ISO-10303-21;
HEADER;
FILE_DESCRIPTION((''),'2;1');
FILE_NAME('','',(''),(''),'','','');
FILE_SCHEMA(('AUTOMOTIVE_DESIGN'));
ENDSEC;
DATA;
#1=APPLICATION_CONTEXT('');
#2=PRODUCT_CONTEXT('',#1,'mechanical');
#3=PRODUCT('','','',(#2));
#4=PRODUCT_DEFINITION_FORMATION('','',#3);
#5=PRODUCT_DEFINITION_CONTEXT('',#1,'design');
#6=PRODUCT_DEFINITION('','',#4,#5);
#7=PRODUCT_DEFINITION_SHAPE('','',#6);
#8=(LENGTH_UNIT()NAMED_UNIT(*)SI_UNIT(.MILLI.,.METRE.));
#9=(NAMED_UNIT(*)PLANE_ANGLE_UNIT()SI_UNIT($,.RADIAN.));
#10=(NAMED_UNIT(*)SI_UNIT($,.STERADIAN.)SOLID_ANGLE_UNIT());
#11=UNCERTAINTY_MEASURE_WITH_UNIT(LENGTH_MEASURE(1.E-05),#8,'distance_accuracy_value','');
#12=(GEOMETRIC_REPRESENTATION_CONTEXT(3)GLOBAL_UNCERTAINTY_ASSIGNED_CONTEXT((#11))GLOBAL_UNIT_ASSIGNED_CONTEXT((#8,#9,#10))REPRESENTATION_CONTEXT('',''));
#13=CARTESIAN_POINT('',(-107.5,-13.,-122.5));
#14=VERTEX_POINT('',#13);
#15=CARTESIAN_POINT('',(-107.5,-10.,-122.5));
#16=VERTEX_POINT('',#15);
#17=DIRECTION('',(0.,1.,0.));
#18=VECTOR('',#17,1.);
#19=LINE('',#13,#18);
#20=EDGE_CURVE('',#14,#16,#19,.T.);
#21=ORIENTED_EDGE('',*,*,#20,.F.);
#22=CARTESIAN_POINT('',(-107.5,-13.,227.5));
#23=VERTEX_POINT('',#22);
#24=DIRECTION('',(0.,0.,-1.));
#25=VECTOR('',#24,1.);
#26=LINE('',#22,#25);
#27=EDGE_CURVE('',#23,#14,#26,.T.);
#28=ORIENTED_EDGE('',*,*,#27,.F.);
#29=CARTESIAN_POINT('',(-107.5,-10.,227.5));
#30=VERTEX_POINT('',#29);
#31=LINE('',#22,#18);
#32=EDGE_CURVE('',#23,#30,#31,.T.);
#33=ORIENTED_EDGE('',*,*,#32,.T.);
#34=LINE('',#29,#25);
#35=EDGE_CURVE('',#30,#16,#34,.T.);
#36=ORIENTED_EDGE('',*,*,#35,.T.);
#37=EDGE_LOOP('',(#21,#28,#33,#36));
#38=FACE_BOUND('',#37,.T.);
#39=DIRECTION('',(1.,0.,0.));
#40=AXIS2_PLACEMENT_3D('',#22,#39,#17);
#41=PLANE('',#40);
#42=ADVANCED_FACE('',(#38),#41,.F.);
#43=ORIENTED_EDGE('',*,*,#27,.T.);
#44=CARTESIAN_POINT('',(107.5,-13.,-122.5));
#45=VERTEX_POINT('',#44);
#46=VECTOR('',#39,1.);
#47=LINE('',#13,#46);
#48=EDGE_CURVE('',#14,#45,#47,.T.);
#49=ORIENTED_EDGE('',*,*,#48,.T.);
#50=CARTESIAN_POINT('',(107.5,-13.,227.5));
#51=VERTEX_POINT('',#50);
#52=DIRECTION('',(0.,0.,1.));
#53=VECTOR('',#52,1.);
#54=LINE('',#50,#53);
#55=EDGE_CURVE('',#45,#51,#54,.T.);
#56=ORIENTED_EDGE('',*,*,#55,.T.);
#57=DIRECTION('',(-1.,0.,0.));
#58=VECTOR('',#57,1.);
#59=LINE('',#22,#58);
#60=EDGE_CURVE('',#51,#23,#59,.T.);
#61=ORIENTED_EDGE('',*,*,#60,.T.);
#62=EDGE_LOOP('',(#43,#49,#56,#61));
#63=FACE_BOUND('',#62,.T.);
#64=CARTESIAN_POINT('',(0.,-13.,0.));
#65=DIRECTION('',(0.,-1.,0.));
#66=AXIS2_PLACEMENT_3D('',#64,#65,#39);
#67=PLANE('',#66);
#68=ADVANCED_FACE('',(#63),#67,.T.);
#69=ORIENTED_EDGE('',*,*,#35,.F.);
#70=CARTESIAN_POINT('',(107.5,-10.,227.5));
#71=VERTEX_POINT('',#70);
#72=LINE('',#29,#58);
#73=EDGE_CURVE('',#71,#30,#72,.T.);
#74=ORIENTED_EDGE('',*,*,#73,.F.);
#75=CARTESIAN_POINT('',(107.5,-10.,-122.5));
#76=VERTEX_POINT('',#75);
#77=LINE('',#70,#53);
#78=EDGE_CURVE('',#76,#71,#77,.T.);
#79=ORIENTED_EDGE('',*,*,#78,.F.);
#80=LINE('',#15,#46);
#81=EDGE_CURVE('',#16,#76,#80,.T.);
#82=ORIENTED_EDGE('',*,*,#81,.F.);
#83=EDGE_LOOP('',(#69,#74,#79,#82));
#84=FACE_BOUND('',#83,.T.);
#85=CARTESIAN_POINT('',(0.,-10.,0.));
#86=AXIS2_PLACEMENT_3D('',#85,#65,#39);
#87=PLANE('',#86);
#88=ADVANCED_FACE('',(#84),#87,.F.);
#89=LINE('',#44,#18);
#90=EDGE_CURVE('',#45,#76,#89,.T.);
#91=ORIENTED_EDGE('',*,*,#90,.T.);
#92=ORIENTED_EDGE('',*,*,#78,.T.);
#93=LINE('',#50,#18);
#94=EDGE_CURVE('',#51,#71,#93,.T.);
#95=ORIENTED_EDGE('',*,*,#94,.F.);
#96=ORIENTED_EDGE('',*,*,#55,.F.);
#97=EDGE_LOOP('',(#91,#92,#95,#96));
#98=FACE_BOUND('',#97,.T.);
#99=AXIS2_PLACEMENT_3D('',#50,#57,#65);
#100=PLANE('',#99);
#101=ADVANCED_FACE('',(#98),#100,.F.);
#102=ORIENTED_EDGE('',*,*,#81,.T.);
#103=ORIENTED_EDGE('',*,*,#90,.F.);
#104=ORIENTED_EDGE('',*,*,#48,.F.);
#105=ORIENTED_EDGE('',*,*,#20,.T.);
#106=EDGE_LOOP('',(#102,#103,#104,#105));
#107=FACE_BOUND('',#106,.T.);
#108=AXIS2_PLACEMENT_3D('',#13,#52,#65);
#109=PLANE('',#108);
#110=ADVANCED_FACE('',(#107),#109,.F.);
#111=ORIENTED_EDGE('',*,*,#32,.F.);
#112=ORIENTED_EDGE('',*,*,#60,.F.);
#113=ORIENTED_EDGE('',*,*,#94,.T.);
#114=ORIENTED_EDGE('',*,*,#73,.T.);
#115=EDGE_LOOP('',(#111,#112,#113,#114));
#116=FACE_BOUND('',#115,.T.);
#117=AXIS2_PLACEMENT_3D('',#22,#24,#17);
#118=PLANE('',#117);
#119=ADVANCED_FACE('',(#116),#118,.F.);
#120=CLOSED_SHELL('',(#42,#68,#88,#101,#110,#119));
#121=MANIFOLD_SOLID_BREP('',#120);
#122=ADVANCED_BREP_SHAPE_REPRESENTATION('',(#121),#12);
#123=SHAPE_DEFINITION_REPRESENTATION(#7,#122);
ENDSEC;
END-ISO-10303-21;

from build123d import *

# Parameters (mm, degrees)
SKETCH1_W           = 215
SKETCH1_H           = 350
BOSS_EXTRUDE1_DEPTH = 3


with BuildPart() as part:
    # Sketch1 → Boss-Extrude1 (new body)
    with BuildSketch(Plane.XZ.offset(10)):
        with Locations((0, 52.5)):
            Rectangle(SKETCH1_W, SKETCH1_H)
    extrude(amount=BOSS_EXTRUDE1_DEPTH)


solid = part.part
